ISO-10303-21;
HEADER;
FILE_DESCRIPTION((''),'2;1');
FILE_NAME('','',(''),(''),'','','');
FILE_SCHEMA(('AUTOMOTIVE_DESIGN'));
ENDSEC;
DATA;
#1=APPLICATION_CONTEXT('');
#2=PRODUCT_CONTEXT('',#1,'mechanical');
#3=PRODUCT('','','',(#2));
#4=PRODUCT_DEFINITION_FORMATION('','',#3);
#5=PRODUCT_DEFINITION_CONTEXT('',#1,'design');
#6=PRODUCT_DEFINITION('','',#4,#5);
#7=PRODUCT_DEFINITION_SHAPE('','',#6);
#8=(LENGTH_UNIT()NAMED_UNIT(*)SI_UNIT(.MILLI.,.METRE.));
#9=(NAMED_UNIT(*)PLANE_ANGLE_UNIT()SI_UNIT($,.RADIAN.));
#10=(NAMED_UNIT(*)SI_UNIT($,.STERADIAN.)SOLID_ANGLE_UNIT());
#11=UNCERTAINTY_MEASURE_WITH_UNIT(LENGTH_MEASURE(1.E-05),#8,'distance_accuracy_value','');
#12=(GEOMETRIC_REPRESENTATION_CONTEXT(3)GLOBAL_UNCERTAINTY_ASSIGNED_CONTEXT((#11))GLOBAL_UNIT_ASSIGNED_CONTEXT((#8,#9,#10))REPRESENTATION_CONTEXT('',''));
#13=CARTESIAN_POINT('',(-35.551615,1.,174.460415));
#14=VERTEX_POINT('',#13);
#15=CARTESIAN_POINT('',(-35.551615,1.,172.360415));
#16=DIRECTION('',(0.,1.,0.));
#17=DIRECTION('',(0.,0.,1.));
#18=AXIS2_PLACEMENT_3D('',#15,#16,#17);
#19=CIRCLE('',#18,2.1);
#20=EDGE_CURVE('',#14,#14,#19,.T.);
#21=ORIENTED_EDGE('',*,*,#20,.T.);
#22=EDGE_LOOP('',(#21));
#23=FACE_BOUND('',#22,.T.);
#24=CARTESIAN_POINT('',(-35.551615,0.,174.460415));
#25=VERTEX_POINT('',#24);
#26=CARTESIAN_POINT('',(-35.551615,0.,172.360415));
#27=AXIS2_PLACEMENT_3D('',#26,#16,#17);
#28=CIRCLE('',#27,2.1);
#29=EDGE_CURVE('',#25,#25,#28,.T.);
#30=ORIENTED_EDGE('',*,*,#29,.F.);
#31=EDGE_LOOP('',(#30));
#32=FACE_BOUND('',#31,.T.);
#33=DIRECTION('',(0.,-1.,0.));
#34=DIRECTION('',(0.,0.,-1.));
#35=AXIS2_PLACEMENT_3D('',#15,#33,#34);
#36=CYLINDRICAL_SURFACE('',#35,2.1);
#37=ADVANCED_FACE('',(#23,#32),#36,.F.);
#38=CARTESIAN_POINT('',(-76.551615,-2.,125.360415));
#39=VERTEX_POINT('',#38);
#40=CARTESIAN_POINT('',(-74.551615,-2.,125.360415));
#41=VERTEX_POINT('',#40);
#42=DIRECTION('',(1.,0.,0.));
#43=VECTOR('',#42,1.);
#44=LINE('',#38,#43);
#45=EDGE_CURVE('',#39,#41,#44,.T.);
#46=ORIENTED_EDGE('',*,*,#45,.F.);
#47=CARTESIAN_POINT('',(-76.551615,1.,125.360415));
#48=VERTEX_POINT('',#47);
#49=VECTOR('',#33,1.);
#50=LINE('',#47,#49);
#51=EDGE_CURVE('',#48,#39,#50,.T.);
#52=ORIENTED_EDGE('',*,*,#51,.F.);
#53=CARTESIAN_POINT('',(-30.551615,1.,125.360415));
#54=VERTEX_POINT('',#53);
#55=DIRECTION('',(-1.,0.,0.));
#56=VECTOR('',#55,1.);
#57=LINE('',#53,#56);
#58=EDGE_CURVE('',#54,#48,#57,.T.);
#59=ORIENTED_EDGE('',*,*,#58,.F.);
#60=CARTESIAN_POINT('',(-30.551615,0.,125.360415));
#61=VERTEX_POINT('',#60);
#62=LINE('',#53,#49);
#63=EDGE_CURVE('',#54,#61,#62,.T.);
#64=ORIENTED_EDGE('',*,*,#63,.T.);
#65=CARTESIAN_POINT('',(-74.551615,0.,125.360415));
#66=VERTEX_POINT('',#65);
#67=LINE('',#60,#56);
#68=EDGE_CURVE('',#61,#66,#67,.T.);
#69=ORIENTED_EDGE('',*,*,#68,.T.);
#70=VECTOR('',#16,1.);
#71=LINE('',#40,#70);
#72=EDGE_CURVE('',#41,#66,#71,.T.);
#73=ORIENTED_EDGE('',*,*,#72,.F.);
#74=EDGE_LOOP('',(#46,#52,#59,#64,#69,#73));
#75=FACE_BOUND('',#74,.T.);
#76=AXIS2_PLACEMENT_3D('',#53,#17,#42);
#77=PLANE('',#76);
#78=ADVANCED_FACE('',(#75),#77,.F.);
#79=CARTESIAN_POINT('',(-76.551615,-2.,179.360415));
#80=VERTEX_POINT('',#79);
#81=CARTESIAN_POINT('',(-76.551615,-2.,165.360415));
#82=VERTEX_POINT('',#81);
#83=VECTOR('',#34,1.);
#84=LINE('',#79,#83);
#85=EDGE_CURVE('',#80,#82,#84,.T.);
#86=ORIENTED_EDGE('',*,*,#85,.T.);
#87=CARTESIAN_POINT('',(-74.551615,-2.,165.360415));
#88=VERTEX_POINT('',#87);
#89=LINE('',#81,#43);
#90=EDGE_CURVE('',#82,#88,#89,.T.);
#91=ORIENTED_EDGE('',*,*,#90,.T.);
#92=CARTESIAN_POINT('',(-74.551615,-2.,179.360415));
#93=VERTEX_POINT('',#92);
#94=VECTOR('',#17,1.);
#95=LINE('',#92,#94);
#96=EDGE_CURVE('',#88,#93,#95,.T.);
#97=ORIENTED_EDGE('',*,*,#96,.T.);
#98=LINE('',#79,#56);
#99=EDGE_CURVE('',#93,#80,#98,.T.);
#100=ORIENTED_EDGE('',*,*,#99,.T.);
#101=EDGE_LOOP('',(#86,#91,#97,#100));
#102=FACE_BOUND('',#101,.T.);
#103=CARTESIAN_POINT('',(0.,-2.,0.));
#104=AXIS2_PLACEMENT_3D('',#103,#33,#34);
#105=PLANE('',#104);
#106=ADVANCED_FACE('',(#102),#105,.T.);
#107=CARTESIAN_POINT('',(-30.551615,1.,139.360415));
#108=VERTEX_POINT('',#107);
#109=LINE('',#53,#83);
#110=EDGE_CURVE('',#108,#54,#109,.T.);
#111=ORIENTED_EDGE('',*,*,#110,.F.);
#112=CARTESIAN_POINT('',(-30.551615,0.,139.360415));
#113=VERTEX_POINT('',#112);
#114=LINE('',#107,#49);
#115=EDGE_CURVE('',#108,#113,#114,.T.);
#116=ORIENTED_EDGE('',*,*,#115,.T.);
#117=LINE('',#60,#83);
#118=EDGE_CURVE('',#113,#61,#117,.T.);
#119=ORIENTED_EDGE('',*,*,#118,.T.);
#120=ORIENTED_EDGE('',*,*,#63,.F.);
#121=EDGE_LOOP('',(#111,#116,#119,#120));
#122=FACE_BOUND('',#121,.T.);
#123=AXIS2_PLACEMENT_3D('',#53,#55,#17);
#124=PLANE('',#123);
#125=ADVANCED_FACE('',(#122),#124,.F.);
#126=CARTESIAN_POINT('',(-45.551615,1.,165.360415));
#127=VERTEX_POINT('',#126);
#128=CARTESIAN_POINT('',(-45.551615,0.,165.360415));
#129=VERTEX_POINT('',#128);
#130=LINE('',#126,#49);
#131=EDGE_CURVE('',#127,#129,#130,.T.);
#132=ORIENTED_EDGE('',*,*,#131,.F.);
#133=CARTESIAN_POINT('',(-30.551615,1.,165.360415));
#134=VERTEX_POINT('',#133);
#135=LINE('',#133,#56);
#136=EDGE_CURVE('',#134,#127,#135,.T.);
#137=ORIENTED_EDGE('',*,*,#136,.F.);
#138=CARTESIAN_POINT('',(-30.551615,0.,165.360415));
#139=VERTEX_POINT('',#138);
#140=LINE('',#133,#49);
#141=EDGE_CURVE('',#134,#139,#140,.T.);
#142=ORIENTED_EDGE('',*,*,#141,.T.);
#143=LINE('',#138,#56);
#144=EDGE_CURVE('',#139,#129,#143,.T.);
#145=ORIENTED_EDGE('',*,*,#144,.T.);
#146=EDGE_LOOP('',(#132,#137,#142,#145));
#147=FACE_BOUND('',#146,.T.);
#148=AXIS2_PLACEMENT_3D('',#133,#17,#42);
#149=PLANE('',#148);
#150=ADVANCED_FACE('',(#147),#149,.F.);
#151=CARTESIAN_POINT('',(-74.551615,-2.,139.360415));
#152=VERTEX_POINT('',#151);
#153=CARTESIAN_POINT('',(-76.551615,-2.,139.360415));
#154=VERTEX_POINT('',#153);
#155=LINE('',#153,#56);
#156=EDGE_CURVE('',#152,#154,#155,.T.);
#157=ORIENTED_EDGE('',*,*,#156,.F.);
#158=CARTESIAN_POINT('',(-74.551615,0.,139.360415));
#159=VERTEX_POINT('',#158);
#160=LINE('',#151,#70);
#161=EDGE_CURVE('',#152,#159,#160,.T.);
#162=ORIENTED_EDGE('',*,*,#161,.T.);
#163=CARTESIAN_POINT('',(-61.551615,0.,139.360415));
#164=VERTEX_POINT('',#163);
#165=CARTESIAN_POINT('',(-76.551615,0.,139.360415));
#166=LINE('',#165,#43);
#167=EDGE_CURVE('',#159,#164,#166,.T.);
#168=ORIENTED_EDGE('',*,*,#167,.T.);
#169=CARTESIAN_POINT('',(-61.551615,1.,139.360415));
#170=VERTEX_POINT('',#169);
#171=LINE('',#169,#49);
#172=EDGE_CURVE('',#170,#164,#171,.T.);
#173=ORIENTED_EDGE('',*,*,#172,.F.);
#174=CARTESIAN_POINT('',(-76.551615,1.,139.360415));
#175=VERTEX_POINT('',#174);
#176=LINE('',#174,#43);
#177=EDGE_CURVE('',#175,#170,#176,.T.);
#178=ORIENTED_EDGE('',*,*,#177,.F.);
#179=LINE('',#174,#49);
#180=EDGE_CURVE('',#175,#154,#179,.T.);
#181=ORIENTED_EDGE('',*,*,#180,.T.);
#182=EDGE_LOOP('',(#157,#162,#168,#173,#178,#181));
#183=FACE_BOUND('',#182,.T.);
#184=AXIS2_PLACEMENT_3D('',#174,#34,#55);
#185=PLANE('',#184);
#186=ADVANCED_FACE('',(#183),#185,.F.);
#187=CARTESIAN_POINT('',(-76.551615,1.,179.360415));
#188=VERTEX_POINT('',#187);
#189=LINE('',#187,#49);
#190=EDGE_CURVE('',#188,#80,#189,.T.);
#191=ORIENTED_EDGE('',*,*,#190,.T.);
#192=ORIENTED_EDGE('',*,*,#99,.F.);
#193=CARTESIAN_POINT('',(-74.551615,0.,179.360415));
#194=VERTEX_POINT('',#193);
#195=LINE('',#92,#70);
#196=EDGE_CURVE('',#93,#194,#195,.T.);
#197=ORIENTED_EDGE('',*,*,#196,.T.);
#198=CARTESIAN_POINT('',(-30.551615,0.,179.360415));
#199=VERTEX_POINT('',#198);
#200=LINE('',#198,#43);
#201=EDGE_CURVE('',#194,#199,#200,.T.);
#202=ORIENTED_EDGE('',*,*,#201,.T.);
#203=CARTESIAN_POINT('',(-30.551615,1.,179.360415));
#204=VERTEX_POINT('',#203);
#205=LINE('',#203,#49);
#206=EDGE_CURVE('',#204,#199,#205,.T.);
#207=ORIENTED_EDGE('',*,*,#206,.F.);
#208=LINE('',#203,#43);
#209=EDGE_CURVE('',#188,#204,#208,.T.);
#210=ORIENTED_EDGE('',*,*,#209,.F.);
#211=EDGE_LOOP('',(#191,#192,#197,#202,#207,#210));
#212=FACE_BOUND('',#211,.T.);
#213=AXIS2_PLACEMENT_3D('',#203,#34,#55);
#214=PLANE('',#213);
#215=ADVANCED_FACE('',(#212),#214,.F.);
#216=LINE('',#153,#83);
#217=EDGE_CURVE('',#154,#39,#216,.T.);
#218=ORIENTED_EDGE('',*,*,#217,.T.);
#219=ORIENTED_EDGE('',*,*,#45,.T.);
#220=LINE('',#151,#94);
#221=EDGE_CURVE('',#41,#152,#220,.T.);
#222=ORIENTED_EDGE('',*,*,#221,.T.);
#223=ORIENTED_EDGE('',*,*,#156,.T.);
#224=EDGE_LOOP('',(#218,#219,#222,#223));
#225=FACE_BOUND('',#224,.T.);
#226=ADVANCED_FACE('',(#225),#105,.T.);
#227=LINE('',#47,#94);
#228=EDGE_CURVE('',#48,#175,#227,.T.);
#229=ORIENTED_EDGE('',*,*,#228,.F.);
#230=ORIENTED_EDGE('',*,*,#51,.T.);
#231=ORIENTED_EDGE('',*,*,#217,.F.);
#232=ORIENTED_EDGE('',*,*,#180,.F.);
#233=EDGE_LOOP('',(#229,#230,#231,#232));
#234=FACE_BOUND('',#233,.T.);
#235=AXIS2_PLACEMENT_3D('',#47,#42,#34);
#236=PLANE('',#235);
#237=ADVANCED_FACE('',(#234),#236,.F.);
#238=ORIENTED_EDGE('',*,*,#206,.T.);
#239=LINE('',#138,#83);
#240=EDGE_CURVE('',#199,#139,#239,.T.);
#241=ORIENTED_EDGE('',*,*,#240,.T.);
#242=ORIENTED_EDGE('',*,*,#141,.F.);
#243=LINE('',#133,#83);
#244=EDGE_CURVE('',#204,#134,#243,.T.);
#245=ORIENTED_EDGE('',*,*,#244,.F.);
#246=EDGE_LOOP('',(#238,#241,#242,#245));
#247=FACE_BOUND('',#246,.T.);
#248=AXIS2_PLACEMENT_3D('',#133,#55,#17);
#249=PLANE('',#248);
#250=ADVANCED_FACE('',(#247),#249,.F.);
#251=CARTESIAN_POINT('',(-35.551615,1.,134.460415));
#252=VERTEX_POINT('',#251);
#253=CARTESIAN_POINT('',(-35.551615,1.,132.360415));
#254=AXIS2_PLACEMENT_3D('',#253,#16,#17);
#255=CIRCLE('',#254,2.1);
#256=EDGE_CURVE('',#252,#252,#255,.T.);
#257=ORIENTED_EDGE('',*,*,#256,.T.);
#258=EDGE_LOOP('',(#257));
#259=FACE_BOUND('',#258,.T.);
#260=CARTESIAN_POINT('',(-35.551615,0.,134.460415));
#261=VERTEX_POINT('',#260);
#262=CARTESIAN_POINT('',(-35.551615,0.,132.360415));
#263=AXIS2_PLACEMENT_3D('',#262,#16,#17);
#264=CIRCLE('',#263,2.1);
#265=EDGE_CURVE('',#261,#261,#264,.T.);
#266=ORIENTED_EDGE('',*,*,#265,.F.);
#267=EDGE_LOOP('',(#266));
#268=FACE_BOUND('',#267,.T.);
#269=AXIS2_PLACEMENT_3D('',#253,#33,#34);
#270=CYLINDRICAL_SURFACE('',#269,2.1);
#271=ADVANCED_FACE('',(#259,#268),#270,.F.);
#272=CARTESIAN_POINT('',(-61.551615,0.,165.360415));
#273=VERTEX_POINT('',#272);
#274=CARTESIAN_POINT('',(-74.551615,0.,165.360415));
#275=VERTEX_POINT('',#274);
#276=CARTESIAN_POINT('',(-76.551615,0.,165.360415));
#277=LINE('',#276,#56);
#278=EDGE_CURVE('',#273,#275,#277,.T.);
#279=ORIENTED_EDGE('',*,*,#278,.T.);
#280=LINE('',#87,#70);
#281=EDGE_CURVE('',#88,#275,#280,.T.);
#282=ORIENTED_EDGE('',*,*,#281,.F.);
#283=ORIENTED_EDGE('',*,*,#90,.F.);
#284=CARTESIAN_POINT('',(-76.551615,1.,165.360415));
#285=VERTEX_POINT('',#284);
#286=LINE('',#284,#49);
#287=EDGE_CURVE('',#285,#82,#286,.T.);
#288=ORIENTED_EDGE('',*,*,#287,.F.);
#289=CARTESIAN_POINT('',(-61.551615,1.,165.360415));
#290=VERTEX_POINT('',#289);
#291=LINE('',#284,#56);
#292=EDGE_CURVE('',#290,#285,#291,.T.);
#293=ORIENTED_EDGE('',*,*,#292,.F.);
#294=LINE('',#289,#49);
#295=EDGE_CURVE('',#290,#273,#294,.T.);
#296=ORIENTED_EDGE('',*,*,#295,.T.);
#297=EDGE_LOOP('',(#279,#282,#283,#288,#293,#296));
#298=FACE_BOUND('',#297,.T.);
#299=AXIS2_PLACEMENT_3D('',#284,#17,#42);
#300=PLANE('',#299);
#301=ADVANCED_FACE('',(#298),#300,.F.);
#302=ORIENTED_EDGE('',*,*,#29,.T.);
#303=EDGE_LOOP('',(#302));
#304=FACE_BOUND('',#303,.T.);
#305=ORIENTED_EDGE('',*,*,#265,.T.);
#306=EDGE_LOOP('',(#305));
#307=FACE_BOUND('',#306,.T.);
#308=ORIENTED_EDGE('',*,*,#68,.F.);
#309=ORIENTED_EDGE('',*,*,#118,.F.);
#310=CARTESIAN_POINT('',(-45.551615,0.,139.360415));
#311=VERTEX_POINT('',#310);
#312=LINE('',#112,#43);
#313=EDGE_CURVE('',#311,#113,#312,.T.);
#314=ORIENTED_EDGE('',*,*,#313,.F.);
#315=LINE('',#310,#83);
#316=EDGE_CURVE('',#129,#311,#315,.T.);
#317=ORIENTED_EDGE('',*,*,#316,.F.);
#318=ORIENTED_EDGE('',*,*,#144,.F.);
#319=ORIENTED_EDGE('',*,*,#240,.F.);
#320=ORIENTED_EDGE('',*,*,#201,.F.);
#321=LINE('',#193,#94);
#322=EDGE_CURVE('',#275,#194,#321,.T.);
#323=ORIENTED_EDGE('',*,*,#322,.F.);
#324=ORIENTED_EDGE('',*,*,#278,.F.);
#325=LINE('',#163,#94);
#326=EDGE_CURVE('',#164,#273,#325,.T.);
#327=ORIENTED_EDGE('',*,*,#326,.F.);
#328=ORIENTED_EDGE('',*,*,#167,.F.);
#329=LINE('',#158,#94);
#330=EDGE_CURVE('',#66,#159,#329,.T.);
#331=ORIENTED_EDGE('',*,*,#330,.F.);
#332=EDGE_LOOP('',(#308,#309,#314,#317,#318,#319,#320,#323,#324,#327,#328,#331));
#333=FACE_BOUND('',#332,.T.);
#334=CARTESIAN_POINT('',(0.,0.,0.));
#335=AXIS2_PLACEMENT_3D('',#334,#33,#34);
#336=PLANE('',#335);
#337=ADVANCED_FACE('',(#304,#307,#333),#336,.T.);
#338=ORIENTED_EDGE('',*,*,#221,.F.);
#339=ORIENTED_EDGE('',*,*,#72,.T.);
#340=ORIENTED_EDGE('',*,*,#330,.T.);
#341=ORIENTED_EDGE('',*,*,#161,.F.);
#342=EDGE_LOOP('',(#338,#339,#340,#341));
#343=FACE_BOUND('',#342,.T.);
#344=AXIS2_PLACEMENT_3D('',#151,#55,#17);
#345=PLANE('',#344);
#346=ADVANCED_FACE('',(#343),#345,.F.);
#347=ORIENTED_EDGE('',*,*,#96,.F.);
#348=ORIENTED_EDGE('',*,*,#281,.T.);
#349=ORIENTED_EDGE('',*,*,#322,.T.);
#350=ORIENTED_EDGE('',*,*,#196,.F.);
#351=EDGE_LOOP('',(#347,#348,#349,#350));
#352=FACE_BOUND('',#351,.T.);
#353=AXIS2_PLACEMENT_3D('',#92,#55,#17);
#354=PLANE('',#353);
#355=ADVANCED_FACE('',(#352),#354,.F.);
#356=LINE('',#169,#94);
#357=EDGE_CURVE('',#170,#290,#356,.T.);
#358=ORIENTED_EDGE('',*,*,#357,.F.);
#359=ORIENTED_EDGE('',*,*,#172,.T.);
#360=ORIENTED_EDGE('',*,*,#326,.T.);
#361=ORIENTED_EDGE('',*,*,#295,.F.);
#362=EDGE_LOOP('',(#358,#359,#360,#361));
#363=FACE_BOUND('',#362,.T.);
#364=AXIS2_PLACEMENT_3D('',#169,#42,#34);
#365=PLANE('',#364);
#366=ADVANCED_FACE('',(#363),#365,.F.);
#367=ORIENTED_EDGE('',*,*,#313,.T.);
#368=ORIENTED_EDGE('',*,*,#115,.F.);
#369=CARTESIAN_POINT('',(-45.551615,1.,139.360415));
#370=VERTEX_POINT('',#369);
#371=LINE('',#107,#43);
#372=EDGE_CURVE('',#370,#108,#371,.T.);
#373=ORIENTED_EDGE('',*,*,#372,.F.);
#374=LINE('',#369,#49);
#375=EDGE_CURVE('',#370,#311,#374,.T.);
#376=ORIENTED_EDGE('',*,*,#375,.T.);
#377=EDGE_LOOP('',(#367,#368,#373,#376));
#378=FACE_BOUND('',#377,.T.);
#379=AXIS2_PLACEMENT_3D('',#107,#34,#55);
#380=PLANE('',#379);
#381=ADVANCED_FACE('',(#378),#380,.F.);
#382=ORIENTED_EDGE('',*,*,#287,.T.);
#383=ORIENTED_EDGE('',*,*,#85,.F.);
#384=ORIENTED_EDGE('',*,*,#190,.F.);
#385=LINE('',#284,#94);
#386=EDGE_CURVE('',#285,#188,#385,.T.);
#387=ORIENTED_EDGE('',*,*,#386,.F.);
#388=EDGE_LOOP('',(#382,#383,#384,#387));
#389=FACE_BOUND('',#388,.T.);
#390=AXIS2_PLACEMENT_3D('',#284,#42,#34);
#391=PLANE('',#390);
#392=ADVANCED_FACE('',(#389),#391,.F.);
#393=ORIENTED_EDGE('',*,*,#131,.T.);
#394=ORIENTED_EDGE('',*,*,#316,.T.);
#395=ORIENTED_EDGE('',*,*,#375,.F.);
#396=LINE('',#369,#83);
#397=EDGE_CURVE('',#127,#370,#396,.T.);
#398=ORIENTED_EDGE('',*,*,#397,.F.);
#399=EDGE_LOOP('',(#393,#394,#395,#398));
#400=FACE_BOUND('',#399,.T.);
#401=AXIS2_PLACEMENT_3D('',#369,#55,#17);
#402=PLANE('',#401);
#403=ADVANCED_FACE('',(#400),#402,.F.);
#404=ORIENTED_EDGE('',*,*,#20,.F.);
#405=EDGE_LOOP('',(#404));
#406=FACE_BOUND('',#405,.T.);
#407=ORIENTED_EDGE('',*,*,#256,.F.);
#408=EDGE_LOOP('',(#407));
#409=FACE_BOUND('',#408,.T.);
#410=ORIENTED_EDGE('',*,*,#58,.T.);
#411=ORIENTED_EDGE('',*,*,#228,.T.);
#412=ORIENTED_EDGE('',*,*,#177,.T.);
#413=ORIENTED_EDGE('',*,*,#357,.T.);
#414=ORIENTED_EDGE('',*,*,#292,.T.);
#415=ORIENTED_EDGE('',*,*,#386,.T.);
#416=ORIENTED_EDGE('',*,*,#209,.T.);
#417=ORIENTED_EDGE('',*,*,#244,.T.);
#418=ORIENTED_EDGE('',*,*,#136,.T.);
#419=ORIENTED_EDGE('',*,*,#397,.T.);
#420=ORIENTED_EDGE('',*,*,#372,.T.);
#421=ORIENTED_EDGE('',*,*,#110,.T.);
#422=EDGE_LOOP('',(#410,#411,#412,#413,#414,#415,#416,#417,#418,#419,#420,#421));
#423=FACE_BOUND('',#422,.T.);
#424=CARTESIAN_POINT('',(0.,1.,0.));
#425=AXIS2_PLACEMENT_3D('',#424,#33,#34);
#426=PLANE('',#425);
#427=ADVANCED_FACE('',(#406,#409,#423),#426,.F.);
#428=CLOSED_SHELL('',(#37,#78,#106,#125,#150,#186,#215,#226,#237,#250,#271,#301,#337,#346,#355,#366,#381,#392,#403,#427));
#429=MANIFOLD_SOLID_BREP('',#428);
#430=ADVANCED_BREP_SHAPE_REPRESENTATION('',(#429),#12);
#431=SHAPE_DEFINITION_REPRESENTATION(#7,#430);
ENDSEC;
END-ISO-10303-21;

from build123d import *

# Parameters (mm, degrees)
SKETCH1_R           = 2.1
BOSS_EXTRUDE1_DEPTH = 1
SKETCH2_W           = 2
SKETCH2_H           = 14
BOSS_EXTRUDE2_DEPTH = 2


with BuildPart() as part:
    # Sketch1 → Boss-Extrude1 (new body)
    with BuildSketch(Plane(origin=(0, 0, 0), x_dir=(1, 0, 0), z_dir=(0, 1, 0))):
        Polygon((-30.551614771, -125.360414745), (-76.551614771, -125.360414745), (-76.551614771, -139.360414745), (-61.551614771, -139.360414745), (-61.551614771, -165.360414745), (-76.551614771, -165.360414745), (-76.551614771, -179.360414745), (-30.551614771, -179.360414745), (-30.551614771, -165.360414745), (-45.551614771, -165.360414745), (-45.551614771, -139.360414745), (-30.551614771, -139.360414745), align=None)
        with Locations((-35.551614771, -132.360414745)):
            Circle(SKETCH1_R, mode=Mode.SUBTRACT)
        with Locations((-35.551614771, -172.360414745)):
            Circle(SKETCH1_R, mode=Mode.SUBTRACT)
    extrude(amount=BOSS_EXTRUDE1_DEPTH)

    # Sketch2 → Boss-Extrude2 (add)
    with BuildSketch(Plane(origin=(0, 0, 0), x_dir=(-1, 0, 0), z_dir=(0, -1, 0))):
        with Locations((75.551614771, -172.360414745)):
            Rectangle(SKETCH2_W, SKETCH2_H)
        with Locations((75.551614771, -132.360414745)):
            Rectangle(SKETCH2_W, SKETCH2_H)
    extrude(amount=BOSS_EXTRUDE2_DEPTH)


solid = part.part
